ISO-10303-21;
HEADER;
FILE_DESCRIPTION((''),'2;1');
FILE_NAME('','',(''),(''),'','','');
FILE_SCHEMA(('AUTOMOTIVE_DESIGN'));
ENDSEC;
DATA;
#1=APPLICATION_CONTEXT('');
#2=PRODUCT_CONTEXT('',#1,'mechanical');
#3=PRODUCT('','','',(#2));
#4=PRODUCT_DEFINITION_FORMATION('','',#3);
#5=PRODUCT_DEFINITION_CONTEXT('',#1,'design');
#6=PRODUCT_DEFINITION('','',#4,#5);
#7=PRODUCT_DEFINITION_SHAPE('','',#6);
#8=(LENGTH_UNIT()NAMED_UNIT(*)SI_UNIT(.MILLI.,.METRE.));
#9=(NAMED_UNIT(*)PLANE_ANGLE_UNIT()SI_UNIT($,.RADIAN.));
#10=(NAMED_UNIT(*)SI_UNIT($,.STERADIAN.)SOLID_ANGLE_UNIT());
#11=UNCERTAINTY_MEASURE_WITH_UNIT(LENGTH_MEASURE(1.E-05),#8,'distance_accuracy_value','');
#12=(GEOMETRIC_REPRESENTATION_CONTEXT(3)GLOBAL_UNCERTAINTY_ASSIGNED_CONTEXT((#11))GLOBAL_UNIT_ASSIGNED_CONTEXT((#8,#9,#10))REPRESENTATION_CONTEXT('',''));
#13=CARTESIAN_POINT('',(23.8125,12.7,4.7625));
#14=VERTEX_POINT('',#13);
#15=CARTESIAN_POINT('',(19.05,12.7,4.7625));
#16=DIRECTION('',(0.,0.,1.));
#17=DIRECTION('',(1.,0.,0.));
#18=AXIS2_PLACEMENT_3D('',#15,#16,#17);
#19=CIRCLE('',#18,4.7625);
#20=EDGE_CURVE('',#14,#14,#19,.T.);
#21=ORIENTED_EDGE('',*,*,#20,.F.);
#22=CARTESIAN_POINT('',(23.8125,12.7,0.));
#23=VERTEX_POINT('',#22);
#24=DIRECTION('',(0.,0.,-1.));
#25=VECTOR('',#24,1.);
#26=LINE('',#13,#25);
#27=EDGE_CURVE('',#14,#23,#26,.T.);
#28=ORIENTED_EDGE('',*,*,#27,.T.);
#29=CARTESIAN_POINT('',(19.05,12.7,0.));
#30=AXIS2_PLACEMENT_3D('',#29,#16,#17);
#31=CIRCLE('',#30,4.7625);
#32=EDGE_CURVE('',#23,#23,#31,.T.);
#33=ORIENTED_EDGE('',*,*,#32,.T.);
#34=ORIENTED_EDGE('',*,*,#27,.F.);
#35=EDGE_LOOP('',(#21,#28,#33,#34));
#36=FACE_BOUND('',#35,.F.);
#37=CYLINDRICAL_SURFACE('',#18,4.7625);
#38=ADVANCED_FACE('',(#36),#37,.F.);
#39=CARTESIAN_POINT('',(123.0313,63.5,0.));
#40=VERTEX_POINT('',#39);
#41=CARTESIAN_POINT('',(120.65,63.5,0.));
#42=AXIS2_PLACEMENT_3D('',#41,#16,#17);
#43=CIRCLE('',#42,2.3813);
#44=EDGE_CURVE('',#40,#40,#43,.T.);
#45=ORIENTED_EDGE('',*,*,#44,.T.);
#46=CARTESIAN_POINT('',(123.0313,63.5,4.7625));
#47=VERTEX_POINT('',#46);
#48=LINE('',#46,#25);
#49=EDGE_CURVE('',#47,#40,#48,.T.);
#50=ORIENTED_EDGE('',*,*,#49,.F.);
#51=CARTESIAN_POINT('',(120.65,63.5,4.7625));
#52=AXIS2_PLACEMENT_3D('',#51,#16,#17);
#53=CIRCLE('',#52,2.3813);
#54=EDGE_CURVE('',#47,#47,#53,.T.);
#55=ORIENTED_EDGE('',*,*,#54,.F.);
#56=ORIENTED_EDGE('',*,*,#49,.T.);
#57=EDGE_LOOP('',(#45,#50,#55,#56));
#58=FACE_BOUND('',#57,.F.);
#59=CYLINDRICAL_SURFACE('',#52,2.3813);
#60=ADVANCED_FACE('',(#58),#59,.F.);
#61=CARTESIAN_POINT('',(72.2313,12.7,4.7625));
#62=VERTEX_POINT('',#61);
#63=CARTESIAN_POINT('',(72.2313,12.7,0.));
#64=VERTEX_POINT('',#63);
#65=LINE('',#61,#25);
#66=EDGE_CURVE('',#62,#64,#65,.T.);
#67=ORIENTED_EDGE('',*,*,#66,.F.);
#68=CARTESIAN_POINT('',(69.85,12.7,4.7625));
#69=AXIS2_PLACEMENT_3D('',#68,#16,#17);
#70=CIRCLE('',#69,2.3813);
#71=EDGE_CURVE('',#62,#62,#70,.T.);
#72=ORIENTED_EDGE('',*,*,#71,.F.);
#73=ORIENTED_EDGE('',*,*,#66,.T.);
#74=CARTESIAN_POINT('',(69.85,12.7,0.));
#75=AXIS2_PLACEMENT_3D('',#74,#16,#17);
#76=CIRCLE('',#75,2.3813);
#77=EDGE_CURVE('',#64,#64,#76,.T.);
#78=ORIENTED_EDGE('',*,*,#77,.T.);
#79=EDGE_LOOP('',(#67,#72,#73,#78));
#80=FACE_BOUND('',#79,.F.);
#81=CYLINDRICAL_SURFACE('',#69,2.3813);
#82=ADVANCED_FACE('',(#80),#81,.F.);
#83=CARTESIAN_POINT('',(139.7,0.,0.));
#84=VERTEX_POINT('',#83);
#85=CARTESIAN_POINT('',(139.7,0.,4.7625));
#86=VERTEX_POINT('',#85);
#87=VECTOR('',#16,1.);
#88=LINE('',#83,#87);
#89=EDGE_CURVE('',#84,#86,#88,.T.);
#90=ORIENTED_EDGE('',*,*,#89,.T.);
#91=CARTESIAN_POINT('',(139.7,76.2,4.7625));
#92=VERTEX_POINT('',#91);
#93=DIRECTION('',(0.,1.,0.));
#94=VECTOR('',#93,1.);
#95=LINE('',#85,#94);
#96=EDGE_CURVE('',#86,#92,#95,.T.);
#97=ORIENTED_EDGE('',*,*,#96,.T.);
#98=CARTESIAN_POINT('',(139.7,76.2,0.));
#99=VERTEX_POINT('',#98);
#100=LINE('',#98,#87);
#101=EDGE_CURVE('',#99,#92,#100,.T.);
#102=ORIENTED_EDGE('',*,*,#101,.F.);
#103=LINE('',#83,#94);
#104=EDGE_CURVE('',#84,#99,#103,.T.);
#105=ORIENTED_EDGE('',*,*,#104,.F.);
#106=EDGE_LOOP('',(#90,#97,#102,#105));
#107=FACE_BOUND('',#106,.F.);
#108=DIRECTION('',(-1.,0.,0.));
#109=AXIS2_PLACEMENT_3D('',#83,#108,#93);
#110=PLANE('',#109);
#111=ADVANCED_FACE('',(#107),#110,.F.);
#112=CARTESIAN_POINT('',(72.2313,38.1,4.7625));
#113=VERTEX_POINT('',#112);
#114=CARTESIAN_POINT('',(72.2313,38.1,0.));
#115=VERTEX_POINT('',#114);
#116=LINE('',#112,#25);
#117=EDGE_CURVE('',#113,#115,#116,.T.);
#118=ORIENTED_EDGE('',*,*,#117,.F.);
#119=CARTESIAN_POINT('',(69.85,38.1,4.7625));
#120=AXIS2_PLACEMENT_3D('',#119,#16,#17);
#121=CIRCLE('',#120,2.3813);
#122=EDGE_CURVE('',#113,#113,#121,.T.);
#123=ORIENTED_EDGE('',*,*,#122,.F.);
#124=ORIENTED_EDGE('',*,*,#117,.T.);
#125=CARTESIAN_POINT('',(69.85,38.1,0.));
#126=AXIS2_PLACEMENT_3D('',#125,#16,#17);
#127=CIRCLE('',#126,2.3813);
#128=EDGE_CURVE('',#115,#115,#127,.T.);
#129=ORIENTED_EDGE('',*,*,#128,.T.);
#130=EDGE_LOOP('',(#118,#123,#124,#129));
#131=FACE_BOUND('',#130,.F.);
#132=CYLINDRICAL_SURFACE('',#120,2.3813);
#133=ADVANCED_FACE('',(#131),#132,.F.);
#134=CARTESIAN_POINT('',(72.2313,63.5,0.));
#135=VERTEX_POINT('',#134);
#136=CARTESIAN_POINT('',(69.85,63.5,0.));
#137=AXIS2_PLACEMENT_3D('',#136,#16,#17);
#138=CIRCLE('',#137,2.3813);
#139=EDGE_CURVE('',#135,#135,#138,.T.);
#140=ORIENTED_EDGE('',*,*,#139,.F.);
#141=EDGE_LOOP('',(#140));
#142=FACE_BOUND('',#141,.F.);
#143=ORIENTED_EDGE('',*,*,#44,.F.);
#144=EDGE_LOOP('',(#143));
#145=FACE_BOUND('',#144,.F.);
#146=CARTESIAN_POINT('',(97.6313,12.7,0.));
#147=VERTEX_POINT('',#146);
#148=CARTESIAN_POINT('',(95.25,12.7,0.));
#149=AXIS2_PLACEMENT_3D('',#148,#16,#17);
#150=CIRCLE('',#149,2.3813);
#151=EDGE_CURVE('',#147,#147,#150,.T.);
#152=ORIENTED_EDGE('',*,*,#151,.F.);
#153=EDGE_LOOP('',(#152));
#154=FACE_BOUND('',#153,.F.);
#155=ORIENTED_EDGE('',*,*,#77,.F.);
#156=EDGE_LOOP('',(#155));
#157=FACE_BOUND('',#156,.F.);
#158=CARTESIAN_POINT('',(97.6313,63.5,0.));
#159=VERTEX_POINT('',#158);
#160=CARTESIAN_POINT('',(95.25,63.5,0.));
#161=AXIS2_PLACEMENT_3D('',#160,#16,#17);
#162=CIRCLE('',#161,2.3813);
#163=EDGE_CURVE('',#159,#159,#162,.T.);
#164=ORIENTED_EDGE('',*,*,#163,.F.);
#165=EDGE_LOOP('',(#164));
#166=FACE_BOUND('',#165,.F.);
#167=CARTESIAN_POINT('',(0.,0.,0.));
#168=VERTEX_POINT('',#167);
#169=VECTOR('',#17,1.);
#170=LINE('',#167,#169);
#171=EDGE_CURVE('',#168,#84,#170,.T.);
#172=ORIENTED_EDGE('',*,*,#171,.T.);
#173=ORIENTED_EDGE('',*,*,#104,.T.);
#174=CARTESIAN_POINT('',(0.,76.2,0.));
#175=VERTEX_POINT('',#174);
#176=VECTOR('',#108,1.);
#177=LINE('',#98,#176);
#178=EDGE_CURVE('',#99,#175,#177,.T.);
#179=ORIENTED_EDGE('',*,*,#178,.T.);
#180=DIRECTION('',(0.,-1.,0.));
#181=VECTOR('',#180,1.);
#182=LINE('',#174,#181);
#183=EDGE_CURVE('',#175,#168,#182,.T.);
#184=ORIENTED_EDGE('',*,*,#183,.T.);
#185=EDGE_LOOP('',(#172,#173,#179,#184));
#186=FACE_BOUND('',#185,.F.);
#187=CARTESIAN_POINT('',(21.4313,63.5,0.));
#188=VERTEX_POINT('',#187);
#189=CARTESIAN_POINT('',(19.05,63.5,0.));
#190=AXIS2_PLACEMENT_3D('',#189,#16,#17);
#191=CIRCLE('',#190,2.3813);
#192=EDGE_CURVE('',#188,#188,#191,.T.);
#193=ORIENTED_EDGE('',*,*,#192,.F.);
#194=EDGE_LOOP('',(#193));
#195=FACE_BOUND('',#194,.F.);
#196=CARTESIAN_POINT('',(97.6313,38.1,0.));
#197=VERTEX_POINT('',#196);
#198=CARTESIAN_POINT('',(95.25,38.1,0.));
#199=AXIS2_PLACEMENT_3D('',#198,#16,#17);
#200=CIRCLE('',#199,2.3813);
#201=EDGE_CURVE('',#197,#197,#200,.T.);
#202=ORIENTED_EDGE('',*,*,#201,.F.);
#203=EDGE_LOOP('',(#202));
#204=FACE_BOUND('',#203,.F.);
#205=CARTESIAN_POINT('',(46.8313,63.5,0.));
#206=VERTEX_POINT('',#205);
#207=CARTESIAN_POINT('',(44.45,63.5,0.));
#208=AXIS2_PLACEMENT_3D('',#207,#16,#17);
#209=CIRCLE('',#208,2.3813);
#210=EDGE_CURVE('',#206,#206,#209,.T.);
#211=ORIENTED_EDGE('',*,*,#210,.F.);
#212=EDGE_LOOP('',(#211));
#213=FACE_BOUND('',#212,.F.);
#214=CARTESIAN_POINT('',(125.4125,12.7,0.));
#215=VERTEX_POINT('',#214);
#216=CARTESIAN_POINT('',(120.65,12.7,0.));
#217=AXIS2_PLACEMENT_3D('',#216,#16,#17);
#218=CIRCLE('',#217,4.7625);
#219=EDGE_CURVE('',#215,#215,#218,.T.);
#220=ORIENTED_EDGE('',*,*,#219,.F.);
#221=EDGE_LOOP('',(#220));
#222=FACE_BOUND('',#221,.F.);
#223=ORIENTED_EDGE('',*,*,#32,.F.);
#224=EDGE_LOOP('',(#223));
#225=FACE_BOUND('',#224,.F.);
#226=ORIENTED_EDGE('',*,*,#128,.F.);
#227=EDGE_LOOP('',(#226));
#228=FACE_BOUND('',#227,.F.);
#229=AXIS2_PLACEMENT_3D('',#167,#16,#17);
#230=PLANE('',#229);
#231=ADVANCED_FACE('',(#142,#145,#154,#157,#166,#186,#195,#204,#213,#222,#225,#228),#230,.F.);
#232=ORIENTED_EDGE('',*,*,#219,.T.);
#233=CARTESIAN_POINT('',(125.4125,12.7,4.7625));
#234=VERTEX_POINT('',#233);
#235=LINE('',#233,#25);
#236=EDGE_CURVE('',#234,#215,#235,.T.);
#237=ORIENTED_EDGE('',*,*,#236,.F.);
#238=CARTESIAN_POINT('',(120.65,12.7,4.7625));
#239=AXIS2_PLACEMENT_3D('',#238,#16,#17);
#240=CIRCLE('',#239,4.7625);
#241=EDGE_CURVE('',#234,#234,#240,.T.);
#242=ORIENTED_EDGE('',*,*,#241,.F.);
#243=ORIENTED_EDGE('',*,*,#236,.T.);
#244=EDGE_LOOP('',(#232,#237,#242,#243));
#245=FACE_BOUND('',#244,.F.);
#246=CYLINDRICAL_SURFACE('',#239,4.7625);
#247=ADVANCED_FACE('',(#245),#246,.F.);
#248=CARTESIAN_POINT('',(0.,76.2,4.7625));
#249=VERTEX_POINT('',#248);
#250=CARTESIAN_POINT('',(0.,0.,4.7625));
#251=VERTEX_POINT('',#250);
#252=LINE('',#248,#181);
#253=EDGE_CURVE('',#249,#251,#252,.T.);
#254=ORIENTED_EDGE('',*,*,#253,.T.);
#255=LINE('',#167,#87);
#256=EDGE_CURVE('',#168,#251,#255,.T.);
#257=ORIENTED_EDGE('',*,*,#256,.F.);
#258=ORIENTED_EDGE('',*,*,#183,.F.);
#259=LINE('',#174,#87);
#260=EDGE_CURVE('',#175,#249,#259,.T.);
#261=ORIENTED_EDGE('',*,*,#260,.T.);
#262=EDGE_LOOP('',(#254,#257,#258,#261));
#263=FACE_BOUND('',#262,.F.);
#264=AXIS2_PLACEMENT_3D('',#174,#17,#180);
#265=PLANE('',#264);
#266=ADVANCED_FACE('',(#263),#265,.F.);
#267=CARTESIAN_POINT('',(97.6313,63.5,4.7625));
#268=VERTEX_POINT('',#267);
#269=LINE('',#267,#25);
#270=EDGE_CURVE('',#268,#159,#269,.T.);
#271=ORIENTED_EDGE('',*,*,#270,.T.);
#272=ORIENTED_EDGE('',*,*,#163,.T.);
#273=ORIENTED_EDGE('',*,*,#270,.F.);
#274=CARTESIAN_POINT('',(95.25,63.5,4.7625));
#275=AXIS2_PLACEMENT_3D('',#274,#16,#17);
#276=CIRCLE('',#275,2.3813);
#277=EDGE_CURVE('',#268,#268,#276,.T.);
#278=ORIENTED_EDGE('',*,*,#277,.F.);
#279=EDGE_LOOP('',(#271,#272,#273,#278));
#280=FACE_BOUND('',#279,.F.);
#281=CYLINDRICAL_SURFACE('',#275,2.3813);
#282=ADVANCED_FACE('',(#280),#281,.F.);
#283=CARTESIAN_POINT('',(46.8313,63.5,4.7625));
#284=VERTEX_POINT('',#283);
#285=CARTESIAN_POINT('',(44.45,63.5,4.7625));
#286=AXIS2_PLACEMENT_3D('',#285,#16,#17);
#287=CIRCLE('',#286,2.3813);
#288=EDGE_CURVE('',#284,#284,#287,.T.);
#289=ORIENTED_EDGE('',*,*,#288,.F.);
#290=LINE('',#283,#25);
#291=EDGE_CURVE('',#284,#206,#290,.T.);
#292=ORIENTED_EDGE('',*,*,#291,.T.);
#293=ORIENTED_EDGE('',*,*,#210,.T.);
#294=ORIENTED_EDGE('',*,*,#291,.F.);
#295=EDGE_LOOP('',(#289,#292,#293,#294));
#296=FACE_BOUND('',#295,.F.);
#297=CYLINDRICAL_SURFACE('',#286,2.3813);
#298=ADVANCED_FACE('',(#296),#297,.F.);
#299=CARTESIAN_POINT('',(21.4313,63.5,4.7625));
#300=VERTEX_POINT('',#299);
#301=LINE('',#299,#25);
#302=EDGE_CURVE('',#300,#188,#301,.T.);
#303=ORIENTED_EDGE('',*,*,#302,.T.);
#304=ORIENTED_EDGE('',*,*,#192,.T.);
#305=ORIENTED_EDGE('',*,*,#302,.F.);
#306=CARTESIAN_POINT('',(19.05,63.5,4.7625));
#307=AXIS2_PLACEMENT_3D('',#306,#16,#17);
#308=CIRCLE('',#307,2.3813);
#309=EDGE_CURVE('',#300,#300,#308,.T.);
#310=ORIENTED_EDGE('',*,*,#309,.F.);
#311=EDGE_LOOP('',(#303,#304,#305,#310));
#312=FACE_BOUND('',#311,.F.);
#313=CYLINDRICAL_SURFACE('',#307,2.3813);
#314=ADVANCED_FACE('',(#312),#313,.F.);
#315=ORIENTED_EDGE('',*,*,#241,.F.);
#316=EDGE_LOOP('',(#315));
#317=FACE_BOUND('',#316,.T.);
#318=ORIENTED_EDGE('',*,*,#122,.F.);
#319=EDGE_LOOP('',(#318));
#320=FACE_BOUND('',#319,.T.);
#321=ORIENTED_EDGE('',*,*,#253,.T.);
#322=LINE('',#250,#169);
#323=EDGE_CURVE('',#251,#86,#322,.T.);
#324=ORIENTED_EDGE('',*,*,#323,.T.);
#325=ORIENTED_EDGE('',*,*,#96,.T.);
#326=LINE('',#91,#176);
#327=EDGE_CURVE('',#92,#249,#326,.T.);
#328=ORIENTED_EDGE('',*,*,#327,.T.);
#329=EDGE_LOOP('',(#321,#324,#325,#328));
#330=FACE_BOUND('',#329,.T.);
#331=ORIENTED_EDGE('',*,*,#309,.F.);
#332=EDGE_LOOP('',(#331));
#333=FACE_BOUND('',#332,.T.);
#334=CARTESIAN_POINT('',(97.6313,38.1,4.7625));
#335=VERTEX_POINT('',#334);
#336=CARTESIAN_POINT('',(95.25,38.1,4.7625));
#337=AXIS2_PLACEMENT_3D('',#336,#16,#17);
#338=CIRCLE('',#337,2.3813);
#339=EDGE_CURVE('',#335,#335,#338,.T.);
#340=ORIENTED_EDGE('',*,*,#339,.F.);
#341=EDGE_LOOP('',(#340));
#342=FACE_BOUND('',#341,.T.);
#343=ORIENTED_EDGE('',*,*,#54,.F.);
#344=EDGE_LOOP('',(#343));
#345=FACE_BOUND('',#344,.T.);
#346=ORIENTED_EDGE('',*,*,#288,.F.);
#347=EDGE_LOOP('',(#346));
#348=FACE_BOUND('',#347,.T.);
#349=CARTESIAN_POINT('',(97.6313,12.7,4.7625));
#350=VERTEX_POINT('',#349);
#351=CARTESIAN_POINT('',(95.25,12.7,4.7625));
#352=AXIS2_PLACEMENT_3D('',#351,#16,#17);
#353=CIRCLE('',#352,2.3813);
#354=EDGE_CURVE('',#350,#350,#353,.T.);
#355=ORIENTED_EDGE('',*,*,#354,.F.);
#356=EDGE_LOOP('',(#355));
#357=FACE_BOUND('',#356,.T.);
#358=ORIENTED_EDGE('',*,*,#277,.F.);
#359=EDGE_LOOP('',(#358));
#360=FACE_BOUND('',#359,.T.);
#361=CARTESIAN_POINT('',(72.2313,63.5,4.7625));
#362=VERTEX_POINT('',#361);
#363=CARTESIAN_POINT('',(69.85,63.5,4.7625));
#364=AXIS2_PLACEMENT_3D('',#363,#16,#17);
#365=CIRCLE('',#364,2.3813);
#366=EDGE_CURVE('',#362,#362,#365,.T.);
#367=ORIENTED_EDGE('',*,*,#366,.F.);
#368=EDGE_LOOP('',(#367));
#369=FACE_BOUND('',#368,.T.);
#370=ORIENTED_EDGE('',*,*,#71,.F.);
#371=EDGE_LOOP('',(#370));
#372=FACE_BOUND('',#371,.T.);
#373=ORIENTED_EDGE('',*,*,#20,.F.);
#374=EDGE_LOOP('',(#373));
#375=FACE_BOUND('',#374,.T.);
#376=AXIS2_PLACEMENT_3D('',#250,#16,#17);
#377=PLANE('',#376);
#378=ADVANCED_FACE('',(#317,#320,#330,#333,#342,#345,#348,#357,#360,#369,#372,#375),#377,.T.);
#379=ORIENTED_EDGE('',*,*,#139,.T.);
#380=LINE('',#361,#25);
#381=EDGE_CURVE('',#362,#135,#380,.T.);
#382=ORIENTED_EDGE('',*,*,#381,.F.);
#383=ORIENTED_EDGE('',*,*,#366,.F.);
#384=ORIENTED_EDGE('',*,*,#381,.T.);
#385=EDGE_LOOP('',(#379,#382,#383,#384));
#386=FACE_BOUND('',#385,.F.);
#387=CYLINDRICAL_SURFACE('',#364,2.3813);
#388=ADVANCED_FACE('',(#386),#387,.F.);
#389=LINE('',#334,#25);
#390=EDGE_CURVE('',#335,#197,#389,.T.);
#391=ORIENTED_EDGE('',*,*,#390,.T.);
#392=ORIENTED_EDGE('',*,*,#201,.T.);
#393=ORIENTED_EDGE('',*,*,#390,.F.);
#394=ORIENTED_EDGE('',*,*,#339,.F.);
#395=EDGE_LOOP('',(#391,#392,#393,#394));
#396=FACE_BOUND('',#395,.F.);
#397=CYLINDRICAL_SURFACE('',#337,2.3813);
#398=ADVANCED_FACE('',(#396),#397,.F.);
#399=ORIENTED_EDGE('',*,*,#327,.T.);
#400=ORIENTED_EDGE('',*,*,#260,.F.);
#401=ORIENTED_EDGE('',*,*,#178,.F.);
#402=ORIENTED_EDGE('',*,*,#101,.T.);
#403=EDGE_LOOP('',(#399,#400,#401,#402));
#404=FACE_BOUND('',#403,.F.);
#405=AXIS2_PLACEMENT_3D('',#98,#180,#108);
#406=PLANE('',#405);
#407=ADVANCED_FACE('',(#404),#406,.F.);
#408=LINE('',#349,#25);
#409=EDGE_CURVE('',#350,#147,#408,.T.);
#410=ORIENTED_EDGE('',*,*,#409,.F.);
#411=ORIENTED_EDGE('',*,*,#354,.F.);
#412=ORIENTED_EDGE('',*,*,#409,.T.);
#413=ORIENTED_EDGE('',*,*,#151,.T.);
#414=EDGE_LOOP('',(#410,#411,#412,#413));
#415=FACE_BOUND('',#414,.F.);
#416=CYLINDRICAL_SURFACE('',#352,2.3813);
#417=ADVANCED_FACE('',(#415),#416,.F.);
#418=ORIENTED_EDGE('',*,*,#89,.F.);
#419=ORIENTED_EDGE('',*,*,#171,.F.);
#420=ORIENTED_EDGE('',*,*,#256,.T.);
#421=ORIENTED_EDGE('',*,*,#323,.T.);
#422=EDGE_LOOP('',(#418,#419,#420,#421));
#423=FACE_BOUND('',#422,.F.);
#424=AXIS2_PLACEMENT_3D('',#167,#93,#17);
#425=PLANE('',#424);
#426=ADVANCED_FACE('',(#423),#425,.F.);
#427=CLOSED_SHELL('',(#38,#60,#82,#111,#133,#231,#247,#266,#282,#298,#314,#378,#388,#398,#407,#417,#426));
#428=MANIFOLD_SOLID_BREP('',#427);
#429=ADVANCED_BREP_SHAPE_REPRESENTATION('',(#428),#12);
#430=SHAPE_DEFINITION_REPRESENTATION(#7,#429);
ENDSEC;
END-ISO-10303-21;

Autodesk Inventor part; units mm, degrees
ref_plane "YZ Plane" through (0, 0, 0) normal (1, 0, 0) x (0, 1, 0)
ref_plane "XZ Plane" through (0, 0, 0) normal (0, 1, 0) x (-1, 0, 0)
ref_plane "XY Plane" through (0, 0, 0) normal (0, 0, 1) x (1, 0, 0)
sketch "Sketch1" plane through (0, 0, 0) normal (0, 0, 1) x (1, 0, 0)
  line L0 (0, 0) -> (139.7, 0)
  line L1 (139.7, 0) -> (139.7, 76.2)
  line L2 (139.7, 76.2) -> (0, 76.2)
  line L3 (0, 76.2) -> (0, 0)
  dimension "d0" = 139.7
  dimension "d1" = 76.2
extrude "Extrusion1" add sketch "Sketch1" along normal blind 4.7625
sketch "Sketch2" plane through (0, 0, 4.7625) normal (0, 0, 1) x (1, 0, 0)
  line L0 (0, 0) -> (0, 76.2) projected
  line L1 (139.7, 0) -> (0, 0) projected
  circle A0 centre (19.05, 12.7) radius 4.7625
  circle A1 centre (120.65, 12.7) radius 4.7625
  line L2 (19.05, 12.7) -> (120.65, 12.7) construction
  dimension "d4" = 12.7
  dimension "d5" = 19.05
  dimension "d6" = 101.6
  dimension "d7" = 9.525
extrude "Extrusion2" cut sketch "Sketch2" against normal up to next
sketch "Sketch3" plane through (0, 0, 4.7625) normal (0, 0, 1) x (1, 0, 0)
  circle A0 centre (19.05, 12.7) radius 4.7625 projected
  line L0 (139.7, 0) -> (0, 0) projected
  circle A1 centre (69.85, 12.7) radius 2.3813
  dimension "d10" = 4.7625
  dimension "d11" = 12.7
  dimension "d13" = 50.8
extrude "Extrusion3" cut sketch "Sketch3" against normal up to next contours A1
pattern_linear "Rectangular Pattern1" count 2 spacing 25.4 along (0, 1, 0) count 2 spacing 25.4 along (1, 0, 0) of "Extrusion3"
sketch "Sketch4" plane through (0, 0, 4.7625) normal (0, 0, 1) x (1, 0, 0)
  line L0 (0, 0) -> (0, 76.2) projected
  line L1 (0, 76.2) -> (139.7, 76.2) projected
  circle A0 centre (19.05, 63.5) radius 2.3813
  dimension "d22" = 4.7625
  dimension "d23" = 12.7
  dimension "d24" = 19.05
extrude "Extrusion4" cut sketch "Sketch4" against normal up to next
pattern_linear "Rectangular Pattern2" count 5 spacing 25.4 along (1, 0, 0) of "Extrusion4"
properties part number "Frame_TopFrontRollerPlate" material "Aluminum-6061"
